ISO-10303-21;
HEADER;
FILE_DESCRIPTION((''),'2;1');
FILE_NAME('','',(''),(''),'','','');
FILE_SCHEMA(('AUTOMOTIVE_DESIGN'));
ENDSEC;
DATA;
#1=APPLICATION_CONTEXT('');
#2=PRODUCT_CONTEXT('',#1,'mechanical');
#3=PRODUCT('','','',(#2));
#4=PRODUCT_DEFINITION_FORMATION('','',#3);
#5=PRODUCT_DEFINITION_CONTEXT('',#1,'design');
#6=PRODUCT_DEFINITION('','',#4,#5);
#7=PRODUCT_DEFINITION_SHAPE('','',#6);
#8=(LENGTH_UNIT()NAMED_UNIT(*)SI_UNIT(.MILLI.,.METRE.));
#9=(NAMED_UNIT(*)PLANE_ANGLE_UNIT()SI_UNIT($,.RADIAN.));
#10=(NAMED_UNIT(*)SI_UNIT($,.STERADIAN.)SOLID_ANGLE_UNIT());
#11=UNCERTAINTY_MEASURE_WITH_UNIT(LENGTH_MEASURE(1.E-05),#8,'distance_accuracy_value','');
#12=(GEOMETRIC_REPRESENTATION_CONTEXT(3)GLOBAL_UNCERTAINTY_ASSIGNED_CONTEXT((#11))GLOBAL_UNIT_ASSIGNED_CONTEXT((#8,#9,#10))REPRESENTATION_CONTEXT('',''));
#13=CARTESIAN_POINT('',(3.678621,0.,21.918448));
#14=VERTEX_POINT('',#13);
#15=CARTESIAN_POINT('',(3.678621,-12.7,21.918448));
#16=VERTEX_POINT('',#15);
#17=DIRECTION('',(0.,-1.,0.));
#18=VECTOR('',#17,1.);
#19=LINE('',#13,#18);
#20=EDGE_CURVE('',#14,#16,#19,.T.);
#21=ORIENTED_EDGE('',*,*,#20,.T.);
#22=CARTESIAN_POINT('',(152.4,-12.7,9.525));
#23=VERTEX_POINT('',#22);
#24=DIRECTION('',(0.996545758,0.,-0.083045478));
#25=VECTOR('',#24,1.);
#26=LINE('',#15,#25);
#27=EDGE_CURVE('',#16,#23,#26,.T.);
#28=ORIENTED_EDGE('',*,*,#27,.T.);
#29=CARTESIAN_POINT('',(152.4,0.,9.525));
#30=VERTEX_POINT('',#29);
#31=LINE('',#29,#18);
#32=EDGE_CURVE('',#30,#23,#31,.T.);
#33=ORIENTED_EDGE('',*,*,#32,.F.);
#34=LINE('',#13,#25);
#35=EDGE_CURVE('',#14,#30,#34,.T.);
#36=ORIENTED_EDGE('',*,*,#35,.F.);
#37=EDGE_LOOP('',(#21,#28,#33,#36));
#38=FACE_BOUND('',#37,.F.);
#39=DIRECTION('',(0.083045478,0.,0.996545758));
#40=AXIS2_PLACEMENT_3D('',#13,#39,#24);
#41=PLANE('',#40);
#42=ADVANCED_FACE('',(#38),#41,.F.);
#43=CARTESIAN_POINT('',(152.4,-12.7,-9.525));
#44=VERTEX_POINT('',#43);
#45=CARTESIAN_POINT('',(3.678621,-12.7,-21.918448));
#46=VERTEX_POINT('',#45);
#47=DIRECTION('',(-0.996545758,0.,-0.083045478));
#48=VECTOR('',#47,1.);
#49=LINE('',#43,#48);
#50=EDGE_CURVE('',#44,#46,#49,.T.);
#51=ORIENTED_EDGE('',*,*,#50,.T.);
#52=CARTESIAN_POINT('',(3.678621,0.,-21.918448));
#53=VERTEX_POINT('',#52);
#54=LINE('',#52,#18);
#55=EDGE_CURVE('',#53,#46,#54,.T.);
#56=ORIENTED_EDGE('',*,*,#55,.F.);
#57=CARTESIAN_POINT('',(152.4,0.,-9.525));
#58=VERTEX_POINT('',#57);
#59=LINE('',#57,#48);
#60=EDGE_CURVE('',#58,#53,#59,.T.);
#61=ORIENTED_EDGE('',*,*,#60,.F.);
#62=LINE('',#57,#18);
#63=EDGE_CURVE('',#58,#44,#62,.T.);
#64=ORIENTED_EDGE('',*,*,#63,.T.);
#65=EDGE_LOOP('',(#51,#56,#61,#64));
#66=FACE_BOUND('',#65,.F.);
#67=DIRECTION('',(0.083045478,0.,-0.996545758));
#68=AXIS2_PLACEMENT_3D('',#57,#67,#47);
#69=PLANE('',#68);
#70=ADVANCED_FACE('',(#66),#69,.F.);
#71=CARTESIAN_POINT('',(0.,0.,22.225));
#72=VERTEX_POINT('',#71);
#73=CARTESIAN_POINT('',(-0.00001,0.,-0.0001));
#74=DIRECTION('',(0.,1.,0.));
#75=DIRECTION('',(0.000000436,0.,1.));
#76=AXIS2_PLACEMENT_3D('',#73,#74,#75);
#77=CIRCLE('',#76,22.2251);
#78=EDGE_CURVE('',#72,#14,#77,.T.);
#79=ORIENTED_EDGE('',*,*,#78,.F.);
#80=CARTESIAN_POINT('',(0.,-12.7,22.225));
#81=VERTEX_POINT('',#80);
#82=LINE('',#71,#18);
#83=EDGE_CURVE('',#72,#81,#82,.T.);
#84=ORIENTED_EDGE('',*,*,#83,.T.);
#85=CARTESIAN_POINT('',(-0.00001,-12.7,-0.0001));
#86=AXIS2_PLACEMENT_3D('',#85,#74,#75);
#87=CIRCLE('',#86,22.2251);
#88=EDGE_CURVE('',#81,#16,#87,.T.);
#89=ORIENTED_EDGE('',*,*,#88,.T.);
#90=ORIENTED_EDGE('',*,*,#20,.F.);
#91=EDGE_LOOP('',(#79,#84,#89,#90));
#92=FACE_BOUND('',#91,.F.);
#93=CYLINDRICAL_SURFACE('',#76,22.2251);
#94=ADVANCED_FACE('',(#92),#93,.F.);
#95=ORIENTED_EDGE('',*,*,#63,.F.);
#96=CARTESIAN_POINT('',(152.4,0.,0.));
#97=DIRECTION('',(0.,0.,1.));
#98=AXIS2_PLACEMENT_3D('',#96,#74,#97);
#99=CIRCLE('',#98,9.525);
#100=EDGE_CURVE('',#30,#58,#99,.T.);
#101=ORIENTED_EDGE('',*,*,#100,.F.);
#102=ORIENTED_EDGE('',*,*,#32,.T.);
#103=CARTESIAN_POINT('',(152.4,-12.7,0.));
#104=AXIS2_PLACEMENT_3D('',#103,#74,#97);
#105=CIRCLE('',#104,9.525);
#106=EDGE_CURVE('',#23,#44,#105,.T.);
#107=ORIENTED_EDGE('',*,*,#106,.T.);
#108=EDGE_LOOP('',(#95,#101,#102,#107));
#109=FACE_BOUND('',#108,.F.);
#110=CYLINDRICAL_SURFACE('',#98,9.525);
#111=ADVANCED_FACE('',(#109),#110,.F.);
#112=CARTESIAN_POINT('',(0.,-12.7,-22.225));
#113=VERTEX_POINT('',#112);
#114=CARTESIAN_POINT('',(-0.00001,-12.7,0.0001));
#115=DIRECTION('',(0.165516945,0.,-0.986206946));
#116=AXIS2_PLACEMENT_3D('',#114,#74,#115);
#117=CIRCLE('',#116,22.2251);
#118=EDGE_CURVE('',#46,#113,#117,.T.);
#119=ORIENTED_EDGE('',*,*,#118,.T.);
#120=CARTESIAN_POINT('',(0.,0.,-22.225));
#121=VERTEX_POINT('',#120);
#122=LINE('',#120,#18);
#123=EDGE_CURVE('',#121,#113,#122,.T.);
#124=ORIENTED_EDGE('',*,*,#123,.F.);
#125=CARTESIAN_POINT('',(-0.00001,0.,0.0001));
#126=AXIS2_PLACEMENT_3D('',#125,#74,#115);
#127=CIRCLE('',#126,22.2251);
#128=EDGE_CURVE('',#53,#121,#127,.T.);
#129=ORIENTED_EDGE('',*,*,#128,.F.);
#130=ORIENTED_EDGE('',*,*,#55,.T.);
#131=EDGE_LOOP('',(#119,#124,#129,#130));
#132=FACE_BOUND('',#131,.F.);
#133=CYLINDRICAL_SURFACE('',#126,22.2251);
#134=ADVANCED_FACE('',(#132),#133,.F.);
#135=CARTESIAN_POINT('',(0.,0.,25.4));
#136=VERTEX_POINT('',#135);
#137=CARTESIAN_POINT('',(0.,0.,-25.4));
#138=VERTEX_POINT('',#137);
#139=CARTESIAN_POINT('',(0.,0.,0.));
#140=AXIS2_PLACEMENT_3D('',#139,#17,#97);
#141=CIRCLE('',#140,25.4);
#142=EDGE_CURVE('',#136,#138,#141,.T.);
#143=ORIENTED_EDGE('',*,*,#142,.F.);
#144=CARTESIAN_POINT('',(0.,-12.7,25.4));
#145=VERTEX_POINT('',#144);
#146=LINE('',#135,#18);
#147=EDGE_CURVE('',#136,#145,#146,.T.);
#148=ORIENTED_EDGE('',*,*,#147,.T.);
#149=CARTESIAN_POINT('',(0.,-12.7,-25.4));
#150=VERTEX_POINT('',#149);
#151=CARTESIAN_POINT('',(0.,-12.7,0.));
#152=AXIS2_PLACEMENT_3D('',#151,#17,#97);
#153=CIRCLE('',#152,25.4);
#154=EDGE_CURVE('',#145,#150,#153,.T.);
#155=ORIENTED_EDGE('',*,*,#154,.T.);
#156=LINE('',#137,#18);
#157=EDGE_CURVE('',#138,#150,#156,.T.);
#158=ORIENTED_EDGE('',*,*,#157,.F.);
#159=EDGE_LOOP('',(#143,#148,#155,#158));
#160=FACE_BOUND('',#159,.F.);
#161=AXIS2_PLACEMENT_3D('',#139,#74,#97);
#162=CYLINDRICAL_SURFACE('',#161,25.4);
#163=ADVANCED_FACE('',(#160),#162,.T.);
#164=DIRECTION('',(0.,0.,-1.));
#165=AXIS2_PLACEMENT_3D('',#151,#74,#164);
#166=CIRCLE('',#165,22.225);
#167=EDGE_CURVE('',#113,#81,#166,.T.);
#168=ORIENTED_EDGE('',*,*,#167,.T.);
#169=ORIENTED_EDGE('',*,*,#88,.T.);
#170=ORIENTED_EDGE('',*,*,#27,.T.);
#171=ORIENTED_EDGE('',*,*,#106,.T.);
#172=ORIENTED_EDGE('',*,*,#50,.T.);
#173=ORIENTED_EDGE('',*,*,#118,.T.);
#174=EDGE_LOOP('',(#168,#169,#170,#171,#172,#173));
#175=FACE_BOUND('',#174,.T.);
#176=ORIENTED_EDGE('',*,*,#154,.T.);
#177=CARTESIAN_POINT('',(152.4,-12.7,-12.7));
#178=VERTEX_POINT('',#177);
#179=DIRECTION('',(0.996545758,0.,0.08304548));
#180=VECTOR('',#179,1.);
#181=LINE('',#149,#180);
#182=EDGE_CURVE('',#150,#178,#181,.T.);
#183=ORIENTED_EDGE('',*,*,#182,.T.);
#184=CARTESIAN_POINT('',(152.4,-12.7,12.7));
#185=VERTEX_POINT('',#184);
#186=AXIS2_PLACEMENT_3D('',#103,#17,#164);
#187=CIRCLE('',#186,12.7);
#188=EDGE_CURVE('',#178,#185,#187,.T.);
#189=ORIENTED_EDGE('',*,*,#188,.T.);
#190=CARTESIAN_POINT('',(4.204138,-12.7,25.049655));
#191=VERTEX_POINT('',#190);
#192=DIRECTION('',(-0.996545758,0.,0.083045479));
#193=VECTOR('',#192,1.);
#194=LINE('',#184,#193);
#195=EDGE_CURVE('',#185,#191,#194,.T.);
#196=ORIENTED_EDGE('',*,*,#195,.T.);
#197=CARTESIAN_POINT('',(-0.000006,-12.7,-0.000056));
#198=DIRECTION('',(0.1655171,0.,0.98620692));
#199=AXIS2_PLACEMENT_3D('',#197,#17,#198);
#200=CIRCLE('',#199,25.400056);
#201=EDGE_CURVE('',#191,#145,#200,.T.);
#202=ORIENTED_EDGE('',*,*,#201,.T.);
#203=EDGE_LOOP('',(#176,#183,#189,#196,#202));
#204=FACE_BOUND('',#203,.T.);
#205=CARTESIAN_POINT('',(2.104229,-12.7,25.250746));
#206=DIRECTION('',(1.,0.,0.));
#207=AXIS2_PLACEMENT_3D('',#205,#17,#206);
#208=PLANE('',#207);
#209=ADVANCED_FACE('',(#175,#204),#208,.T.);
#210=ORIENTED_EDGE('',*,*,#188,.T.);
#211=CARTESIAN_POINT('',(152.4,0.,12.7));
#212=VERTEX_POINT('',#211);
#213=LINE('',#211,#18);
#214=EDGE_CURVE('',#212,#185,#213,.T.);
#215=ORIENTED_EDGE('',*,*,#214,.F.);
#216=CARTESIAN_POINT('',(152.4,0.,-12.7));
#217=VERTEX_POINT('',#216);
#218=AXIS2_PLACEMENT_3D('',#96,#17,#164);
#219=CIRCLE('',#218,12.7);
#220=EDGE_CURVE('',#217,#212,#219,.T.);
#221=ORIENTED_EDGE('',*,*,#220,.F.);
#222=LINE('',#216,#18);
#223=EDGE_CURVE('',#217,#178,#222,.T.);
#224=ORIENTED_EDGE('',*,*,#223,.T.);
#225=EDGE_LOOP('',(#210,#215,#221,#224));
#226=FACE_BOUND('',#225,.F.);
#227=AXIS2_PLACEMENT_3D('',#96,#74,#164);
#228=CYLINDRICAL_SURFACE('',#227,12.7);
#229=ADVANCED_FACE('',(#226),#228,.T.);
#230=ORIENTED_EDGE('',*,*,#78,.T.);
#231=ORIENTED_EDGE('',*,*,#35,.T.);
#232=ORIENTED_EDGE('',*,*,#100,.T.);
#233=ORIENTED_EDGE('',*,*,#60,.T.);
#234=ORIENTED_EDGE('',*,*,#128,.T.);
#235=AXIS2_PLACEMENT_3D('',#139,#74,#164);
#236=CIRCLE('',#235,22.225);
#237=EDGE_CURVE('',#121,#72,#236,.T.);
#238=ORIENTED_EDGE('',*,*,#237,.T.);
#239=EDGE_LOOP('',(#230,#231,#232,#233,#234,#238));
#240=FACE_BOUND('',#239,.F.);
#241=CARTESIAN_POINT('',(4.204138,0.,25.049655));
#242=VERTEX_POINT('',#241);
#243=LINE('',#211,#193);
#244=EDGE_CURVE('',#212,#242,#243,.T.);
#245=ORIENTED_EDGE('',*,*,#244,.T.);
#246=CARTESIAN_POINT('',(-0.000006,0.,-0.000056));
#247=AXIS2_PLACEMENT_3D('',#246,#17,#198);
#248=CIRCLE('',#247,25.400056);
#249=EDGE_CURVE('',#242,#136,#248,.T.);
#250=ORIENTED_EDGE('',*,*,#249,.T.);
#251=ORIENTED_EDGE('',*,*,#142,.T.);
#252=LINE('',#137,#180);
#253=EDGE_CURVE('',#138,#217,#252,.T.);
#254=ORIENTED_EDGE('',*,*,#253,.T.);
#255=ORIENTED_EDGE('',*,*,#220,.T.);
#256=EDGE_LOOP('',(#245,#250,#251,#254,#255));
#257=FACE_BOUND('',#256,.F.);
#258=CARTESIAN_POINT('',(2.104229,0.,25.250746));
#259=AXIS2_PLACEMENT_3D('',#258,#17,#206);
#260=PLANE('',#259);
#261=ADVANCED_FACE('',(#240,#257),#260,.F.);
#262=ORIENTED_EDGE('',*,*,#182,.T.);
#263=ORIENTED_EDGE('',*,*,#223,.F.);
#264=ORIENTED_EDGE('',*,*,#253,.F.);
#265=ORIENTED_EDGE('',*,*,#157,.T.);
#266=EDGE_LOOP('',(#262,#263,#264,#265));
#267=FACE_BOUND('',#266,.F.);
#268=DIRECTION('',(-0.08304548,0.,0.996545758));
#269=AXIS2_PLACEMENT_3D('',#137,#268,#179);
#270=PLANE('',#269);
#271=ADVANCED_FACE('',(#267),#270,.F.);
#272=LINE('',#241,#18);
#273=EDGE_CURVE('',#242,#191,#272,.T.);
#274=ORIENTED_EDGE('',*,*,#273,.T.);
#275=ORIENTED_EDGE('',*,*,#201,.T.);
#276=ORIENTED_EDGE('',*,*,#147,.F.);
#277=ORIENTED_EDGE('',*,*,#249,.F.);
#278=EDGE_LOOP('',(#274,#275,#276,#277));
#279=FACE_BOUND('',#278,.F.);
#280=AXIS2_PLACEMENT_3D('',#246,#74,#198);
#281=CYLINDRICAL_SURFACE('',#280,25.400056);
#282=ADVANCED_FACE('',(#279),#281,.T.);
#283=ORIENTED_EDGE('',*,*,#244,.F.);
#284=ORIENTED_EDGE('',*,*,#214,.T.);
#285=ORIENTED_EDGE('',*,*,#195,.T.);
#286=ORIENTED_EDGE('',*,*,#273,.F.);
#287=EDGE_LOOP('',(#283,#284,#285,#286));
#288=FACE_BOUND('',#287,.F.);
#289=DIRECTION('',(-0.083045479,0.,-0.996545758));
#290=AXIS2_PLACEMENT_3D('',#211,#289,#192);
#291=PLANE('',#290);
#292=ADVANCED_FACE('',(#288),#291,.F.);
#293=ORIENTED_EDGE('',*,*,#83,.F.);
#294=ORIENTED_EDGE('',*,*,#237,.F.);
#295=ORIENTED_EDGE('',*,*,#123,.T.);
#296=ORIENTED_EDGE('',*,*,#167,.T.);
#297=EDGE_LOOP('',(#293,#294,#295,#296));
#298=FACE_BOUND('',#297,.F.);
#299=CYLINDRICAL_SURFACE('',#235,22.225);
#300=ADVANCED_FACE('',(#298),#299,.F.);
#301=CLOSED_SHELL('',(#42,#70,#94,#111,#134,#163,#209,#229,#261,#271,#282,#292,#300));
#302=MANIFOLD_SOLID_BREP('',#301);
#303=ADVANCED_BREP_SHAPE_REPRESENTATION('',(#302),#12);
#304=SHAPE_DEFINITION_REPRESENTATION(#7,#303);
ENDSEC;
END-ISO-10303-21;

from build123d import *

# Parameters (mm, degrees)
F1_DEPTH = 12.7


with BuildPart() as f1:
    # F0 (on Front) → F1 (new body)
    with BuildSketch(Plane.XZ):
        with BuildLine():
            Line((0, 25.4), (4.204138, 25.049655))
            ThreePointArc((4.204138, 25.049655), (2.109355, 25.312262), (0, 25.4))
        make_face()
        with BuildLine():
            Line((152.4, 12.7), (4.204138, 25.049655))
            Line((4.204138, 25.049655), (0, 25.4))
            ThreePointArc((0, 25.4), (-25.4, 0), (0, -25.4))
            Line((0, -25.4), (152.4, -12.7))
            ThreePointArc((152.4, -12.7), (165.1, 0), (152.4, 12.7))
        make_face()
        with BuildLine():
            ThreePointArc((0, 22.225), (1.845686, 22.148229), (3.678621, 21.918448))
            Line((3.678621, 21.918448), (152.4, 9.525))
            ThreePointArc((152.4, 9.525), (161.925, 0), (152.4, -9.525))
            Line((152.4, -9.525), (3.678621, -21.918448))
            ThreePointArc((3.678621, -21.918448), (1.845686, -22.148229), (0, -22.225))
            ThreePointArc((0, -22.225), (-22.225, 0), (0, 22.225))
        make_face(mode=Mode.SUBTRACT)
    extrude(amount=F1_DEPTH)


solid = f1.part
